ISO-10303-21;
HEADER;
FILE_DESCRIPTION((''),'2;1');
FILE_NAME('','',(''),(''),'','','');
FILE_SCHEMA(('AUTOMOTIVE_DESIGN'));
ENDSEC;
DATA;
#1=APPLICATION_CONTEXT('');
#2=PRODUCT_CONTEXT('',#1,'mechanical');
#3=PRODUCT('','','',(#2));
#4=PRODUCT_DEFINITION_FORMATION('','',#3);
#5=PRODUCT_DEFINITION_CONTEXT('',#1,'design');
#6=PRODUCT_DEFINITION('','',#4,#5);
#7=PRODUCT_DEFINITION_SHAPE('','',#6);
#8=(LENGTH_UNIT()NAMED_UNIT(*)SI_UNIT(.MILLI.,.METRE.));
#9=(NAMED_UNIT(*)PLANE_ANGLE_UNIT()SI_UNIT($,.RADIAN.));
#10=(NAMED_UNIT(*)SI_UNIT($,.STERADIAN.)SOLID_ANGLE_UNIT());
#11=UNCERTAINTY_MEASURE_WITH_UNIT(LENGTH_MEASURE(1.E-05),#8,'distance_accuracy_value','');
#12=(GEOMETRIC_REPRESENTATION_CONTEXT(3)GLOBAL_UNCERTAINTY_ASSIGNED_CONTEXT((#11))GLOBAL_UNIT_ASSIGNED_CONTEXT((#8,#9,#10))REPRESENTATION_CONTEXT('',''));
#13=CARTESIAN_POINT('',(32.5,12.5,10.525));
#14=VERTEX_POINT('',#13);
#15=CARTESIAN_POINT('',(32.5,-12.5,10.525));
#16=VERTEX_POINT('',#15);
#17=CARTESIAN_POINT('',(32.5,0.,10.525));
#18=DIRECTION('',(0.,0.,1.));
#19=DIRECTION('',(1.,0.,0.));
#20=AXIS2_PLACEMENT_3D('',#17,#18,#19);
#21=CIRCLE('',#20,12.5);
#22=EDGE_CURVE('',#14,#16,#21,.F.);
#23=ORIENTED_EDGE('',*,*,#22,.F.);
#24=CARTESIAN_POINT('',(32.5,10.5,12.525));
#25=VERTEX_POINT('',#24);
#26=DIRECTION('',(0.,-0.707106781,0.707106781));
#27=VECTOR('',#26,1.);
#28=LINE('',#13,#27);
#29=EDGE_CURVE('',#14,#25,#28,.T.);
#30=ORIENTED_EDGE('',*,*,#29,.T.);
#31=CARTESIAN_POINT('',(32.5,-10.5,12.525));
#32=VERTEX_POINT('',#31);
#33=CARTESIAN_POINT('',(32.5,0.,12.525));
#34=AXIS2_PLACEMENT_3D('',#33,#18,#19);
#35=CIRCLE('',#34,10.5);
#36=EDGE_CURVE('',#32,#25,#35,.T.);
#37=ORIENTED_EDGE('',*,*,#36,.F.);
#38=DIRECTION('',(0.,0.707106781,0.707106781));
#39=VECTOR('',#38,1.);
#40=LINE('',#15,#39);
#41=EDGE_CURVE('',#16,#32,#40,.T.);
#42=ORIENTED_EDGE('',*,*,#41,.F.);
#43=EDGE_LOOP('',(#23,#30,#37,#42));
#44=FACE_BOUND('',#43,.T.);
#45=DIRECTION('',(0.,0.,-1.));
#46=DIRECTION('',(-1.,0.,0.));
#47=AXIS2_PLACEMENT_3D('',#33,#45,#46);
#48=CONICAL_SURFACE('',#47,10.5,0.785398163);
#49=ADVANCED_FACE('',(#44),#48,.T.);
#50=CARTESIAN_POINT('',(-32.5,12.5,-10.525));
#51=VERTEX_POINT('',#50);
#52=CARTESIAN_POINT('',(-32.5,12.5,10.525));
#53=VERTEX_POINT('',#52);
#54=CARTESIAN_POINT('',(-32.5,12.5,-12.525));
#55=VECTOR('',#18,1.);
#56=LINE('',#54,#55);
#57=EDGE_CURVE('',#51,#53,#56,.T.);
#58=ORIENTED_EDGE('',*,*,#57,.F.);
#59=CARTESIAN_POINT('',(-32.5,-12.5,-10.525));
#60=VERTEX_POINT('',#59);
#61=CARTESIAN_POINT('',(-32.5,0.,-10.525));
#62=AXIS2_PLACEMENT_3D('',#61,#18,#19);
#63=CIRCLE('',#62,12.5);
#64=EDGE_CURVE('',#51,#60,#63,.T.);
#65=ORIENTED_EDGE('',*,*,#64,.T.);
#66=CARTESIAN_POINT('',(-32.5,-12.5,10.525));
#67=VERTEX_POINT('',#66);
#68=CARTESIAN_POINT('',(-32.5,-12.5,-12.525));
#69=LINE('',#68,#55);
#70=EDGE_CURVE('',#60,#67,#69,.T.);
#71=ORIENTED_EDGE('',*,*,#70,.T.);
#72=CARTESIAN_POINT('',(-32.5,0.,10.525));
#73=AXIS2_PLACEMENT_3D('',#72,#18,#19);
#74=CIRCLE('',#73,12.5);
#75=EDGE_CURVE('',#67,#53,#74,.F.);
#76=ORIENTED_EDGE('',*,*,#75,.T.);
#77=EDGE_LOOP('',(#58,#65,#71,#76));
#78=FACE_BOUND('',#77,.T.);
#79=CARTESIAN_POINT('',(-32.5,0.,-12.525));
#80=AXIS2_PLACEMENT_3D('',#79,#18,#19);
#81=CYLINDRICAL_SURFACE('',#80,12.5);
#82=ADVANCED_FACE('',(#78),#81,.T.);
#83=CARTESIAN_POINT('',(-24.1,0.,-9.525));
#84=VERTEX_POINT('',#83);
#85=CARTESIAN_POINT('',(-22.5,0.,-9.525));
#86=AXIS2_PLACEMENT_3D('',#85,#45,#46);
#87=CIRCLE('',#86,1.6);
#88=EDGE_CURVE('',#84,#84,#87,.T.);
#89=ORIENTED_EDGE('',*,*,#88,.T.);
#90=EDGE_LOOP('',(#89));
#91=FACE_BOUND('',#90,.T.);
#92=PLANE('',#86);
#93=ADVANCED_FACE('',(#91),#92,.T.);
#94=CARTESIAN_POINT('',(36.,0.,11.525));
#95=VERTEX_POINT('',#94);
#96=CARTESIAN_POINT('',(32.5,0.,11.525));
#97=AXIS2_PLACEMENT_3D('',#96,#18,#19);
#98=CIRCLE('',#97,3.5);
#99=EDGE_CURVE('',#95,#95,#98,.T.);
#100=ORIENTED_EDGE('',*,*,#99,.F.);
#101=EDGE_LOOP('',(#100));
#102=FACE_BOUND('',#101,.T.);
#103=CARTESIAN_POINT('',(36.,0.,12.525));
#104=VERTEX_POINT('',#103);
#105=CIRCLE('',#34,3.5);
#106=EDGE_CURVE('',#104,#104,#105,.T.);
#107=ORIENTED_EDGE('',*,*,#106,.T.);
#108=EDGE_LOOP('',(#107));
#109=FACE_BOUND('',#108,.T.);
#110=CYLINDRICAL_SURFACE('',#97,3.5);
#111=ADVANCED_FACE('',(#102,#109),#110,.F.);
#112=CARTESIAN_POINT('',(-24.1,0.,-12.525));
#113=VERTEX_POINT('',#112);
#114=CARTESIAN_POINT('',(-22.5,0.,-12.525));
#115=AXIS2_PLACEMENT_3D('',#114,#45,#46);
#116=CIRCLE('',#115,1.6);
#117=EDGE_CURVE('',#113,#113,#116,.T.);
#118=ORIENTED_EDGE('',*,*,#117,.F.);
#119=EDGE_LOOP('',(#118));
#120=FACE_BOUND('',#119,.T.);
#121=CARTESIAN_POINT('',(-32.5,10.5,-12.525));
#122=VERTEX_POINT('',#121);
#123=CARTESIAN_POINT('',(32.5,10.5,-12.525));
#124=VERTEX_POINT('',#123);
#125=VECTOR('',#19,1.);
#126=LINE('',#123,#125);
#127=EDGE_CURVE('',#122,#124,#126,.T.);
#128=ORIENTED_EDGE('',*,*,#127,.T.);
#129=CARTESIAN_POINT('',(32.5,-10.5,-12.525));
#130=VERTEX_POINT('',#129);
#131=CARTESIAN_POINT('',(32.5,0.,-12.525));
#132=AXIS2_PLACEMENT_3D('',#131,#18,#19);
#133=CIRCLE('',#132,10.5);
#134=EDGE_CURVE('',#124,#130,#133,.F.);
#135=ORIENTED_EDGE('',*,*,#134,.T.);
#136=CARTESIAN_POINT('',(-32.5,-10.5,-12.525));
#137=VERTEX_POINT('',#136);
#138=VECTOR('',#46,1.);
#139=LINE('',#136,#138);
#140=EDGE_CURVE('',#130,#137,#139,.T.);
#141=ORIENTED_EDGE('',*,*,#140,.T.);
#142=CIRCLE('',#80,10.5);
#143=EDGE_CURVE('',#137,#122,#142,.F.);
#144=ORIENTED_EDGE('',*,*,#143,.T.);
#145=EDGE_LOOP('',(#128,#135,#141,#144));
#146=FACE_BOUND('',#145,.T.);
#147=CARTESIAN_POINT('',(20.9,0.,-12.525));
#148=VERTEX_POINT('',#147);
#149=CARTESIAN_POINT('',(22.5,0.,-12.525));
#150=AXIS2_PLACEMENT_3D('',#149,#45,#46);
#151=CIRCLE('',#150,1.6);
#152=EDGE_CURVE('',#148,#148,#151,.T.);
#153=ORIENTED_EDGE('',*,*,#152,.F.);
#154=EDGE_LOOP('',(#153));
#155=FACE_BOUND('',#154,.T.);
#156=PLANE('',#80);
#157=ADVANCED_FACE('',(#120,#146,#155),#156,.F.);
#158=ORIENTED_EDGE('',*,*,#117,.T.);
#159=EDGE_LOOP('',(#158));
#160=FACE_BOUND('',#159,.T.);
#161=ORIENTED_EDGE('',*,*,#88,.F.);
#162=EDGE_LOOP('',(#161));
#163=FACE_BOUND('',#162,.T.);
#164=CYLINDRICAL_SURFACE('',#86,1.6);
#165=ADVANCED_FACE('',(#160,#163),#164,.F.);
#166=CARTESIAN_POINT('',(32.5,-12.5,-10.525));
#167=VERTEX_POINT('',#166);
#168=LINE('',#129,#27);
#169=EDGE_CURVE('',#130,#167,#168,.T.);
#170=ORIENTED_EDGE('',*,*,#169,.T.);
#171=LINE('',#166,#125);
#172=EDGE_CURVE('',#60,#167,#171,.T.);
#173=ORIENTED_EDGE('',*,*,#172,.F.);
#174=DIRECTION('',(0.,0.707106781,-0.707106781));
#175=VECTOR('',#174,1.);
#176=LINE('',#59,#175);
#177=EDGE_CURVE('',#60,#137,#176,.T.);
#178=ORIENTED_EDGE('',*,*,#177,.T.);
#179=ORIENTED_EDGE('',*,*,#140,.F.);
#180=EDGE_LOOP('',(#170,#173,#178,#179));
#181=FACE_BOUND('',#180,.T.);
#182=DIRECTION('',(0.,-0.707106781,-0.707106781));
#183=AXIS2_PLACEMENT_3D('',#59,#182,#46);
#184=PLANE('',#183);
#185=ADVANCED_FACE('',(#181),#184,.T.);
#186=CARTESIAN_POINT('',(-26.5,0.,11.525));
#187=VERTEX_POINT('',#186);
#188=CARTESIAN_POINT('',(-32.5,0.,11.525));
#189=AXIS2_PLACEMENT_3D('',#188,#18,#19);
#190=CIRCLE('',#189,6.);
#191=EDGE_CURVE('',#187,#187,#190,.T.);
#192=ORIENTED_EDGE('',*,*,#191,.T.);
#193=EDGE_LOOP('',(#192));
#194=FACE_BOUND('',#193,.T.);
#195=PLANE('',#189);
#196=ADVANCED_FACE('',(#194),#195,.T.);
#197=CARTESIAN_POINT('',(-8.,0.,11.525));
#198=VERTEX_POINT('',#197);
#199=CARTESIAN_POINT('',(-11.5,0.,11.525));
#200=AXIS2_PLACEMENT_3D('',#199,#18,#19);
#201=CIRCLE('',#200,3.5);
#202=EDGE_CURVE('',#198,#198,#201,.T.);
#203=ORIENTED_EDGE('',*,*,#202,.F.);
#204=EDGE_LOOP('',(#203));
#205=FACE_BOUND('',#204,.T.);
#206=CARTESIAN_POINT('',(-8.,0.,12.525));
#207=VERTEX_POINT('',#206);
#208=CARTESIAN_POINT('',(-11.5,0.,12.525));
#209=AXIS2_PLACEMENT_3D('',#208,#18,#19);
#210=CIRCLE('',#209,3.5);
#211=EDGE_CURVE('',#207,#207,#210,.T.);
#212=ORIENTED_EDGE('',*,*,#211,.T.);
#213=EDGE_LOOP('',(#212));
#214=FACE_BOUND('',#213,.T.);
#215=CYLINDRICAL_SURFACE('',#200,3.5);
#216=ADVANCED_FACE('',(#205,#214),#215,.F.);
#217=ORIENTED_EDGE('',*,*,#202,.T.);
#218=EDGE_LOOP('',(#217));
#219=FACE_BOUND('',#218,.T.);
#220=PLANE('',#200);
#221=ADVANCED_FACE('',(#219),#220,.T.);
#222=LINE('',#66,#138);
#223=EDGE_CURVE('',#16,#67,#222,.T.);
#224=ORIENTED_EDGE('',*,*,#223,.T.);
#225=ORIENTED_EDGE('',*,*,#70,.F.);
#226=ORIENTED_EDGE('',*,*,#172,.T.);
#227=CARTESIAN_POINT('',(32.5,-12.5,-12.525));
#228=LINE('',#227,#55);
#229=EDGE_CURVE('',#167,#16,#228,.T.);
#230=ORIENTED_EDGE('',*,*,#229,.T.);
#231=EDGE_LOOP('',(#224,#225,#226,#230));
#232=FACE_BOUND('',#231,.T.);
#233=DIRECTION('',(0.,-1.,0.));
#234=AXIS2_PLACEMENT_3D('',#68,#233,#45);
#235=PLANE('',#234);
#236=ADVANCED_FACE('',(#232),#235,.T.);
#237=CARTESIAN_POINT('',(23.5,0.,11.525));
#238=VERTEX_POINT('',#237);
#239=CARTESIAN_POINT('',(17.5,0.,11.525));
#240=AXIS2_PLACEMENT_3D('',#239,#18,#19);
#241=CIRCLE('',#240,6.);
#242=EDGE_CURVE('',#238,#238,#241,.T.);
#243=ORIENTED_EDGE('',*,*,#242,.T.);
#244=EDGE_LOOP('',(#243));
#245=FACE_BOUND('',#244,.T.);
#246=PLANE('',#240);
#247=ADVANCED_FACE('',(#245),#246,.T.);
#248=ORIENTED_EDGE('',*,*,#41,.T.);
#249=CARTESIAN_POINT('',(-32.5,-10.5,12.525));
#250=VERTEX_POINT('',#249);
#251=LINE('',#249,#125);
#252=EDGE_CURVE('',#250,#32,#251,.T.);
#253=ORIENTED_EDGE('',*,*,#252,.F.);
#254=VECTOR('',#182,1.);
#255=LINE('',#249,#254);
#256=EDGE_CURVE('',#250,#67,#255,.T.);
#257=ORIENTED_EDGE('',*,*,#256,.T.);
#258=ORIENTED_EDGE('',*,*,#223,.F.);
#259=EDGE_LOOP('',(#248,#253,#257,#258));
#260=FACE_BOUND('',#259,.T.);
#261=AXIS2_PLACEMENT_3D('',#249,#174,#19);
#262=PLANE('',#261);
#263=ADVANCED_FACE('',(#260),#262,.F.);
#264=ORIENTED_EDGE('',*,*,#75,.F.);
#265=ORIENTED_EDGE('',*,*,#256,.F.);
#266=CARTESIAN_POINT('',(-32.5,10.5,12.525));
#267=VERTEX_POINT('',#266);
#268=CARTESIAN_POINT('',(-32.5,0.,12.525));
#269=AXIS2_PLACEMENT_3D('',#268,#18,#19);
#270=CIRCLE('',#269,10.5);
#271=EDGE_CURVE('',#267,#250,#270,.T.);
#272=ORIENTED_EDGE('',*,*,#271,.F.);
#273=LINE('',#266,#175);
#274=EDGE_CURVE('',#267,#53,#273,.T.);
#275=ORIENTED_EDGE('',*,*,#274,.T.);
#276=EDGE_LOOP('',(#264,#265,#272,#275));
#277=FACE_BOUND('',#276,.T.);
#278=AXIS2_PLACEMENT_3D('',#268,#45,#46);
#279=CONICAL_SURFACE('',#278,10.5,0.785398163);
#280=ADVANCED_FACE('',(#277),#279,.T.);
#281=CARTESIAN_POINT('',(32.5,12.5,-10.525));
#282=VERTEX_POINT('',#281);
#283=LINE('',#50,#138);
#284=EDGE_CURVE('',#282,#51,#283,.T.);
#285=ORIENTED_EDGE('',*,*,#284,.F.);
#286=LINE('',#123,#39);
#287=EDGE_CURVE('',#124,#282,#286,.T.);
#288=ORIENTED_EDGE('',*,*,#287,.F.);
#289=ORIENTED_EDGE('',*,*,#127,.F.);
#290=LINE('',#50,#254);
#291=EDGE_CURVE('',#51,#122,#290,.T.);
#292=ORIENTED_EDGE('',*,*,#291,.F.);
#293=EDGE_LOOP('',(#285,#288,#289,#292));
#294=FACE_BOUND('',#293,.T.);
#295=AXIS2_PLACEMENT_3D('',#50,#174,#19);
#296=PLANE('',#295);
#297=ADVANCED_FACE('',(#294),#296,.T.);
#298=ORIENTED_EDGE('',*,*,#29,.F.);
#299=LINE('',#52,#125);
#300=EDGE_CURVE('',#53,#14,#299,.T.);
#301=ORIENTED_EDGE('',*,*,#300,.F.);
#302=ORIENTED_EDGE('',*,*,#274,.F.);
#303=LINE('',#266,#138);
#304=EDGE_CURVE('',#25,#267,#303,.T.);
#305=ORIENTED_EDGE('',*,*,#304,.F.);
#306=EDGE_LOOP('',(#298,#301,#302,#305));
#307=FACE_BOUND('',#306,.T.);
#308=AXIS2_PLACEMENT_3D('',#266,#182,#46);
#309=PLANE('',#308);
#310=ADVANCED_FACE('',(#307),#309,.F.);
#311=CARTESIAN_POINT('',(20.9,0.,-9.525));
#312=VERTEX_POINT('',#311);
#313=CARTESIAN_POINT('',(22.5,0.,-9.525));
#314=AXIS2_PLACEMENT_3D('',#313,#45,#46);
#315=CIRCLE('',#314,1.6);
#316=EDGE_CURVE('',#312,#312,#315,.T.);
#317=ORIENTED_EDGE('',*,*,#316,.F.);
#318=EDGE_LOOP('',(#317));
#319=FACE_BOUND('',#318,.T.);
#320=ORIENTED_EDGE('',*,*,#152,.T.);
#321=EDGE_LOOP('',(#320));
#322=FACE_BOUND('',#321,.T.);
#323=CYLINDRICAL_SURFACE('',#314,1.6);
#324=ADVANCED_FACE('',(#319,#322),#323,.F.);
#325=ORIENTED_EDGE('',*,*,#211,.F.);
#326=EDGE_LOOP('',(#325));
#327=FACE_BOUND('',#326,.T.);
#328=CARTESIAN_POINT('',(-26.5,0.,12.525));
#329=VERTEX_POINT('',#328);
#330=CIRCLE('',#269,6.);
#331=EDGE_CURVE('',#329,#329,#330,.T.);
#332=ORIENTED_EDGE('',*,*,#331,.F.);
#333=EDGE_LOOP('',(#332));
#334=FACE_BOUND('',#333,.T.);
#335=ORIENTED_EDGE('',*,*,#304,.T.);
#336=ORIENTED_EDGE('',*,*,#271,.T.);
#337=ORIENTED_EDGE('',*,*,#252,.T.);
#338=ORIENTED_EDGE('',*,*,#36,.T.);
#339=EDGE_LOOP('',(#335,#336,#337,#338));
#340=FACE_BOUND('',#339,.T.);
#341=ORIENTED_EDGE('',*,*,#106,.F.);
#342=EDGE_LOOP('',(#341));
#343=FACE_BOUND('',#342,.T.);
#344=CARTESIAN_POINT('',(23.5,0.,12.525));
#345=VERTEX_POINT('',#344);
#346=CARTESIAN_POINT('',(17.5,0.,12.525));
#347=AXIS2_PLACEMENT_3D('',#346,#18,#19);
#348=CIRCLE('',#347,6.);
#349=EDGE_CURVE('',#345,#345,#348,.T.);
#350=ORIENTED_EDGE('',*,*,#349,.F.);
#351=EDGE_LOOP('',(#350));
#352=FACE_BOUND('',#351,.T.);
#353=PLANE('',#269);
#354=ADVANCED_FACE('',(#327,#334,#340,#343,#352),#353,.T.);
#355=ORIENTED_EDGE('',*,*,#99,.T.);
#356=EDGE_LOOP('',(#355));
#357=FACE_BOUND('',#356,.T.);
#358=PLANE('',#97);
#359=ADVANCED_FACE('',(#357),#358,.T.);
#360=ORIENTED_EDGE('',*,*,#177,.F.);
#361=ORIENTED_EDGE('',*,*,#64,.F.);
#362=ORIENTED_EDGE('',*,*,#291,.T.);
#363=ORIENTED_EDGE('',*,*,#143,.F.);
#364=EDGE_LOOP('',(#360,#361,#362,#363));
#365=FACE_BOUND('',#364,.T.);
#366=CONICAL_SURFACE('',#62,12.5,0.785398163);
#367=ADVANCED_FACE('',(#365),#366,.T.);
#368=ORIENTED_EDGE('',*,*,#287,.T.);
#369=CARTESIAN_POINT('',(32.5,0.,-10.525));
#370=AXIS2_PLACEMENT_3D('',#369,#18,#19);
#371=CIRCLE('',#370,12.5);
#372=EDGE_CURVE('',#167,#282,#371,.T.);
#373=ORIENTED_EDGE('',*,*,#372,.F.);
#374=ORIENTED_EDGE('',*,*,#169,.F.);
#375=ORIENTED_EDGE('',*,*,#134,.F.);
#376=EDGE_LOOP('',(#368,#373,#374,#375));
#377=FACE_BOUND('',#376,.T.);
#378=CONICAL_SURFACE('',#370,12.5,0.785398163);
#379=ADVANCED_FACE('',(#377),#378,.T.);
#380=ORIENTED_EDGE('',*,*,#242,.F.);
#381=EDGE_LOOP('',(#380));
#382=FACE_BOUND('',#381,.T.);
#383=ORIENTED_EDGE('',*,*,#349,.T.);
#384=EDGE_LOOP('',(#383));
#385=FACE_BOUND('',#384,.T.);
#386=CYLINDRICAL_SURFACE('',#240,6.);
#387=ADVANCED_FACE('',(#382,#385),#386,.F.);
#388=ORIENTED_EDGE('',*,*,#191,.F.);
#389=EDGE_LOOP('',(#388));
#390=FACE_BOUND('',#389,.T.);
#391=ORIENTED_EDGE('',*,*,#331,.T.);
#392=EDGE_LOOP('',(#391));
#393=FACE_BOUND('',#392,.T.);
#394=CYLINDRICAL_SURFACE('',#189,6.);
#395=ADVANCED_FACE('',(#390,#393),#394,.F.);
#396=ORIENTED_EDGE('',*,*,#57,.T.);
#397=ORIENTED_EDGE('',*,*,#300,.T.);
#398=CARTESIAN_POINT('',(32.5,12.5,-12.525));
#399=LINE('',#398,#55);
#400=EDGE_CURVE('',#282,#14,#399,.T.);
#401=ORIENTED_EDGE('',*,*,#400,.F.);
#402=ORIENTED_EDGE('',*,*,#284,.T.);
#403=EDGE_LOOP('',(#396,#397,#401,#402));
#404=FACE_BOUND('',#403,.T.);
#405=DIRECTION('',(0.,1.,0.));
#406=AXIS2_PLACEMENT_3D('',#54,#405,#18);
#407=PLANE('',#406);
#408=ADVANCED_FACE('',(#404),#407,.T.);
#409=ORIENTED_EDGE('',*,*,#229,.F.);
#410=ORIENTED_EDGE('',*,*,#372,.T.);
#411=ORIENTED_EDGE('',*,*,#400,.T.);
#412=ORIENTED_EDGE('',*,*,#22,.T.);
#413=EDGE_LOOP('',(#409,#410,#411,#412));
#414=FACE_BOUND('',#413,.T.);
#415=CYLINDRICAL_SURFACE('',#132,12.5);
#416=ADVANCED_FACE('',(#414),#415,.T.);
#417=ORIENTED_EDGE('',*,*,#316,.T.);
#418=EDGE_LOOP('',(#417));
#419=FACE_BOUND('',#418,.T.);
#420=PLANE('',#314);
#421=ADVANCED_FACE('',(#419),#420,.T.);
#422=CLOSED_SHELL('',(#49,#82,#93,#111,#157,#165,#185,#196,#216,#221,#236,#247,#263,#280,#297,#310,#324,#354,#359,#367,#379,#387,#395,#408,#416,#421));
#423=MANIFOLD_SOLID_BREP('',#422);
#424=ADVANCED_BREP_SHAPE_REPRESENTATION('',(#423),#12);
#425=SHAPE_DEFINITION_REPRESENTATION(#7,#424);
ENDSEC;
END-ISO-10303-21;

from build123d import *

# Parameters (mm, degrees)
BOSS_EXTRUDE1_DEPTH      = 12.525
BOSS_EXTRUDE1_DEPTH_BACK = 12.525
SKETCH2_R                = 6
SKETCH2_R_2              = 3.5
CUT_EXTRUDE1_DEPTH       = 1
SKETCH3_R                = 1.6
CUT_EXTRUDE2_DEPTH       = 3
CHAMFER1_SIZE            = 2


with BuildPart() as part:
    # Sketch1 → Boss-Extrude1 (new, two sides: drawn at the far end of the back side and taken through both)
    with BuildSketch(Plane.XY.offset(-BOSS_EXTRUDE1_DEPTH_BACK)):
        with BuildLine():
            Line((-32.5, 12.5), (32.5, 12.5))
            ThreePointArc((32.5, 12.5), (45, 0), (32.5, -12.5))
            Line((32.5, -12.5), (-32.5, -12.5))
            ThreePointArc((-32.5, -12.5), (-45, 0), (-32.5, 12.5))
        make_face()
    extrude(amount=BOSS_EXTRUDE1_DEPTH + BOSS_EXTRUDE1_DEPTH_BACK)

    # Sketch2 → Cut-Extrude1 (cut)
    with BuildSketch(Plane.XY.offset(12.525)):
        with Locations((-32.5, 0)):
            Circle(SKETCH2_R)
        with Locations((-11.5, 0)):
            Circle(SKETCH2_R_2)
        with Locations((17.5, 0)):
            Circle(SKETCH2_R)
        with Locations((32.5, 0)):
            Circle(SKETCH2_R_2)
    extrude(amount=-CUT_EXTRUDE1_DEPTH, mode=Mode.SUBTRACT)

    # Sketch3 → Cut-Extrude2 (cut)
    with BuildSketch(Plane(origin=(0, 0, -12.525), x_dir=(-1, 0, 0), z_dir=(0, 0, -1))):
        with Locations((22.5, 0)):
            Circle(SKETCH3_R)
        with Locations((-22.5, 0)):
            Circle(SKETCH3_R)
    extrude(amount=-CUT_EXTRUDE2_DEPTH, mode=Mode.SUBTRACT)

    # Chamfer1
    chamfer1_edges = [part.edges().sort_by_distance(p)[0] for p in [
        (-45, 0, 12.525),
        (45, 0, -12.525),
        (0, -12.5, 12.525),
        (45, 0, 12.525),
        (0, 12.5, 12.525),
        (0, 12.5, -12.525),
        (-45, 0, -12.525),
        (0, -12.5, -12.525),
    ]]
    chamfer(chamfer1_edges, length=CHAMFER1_SIZE)


solid = part.part
